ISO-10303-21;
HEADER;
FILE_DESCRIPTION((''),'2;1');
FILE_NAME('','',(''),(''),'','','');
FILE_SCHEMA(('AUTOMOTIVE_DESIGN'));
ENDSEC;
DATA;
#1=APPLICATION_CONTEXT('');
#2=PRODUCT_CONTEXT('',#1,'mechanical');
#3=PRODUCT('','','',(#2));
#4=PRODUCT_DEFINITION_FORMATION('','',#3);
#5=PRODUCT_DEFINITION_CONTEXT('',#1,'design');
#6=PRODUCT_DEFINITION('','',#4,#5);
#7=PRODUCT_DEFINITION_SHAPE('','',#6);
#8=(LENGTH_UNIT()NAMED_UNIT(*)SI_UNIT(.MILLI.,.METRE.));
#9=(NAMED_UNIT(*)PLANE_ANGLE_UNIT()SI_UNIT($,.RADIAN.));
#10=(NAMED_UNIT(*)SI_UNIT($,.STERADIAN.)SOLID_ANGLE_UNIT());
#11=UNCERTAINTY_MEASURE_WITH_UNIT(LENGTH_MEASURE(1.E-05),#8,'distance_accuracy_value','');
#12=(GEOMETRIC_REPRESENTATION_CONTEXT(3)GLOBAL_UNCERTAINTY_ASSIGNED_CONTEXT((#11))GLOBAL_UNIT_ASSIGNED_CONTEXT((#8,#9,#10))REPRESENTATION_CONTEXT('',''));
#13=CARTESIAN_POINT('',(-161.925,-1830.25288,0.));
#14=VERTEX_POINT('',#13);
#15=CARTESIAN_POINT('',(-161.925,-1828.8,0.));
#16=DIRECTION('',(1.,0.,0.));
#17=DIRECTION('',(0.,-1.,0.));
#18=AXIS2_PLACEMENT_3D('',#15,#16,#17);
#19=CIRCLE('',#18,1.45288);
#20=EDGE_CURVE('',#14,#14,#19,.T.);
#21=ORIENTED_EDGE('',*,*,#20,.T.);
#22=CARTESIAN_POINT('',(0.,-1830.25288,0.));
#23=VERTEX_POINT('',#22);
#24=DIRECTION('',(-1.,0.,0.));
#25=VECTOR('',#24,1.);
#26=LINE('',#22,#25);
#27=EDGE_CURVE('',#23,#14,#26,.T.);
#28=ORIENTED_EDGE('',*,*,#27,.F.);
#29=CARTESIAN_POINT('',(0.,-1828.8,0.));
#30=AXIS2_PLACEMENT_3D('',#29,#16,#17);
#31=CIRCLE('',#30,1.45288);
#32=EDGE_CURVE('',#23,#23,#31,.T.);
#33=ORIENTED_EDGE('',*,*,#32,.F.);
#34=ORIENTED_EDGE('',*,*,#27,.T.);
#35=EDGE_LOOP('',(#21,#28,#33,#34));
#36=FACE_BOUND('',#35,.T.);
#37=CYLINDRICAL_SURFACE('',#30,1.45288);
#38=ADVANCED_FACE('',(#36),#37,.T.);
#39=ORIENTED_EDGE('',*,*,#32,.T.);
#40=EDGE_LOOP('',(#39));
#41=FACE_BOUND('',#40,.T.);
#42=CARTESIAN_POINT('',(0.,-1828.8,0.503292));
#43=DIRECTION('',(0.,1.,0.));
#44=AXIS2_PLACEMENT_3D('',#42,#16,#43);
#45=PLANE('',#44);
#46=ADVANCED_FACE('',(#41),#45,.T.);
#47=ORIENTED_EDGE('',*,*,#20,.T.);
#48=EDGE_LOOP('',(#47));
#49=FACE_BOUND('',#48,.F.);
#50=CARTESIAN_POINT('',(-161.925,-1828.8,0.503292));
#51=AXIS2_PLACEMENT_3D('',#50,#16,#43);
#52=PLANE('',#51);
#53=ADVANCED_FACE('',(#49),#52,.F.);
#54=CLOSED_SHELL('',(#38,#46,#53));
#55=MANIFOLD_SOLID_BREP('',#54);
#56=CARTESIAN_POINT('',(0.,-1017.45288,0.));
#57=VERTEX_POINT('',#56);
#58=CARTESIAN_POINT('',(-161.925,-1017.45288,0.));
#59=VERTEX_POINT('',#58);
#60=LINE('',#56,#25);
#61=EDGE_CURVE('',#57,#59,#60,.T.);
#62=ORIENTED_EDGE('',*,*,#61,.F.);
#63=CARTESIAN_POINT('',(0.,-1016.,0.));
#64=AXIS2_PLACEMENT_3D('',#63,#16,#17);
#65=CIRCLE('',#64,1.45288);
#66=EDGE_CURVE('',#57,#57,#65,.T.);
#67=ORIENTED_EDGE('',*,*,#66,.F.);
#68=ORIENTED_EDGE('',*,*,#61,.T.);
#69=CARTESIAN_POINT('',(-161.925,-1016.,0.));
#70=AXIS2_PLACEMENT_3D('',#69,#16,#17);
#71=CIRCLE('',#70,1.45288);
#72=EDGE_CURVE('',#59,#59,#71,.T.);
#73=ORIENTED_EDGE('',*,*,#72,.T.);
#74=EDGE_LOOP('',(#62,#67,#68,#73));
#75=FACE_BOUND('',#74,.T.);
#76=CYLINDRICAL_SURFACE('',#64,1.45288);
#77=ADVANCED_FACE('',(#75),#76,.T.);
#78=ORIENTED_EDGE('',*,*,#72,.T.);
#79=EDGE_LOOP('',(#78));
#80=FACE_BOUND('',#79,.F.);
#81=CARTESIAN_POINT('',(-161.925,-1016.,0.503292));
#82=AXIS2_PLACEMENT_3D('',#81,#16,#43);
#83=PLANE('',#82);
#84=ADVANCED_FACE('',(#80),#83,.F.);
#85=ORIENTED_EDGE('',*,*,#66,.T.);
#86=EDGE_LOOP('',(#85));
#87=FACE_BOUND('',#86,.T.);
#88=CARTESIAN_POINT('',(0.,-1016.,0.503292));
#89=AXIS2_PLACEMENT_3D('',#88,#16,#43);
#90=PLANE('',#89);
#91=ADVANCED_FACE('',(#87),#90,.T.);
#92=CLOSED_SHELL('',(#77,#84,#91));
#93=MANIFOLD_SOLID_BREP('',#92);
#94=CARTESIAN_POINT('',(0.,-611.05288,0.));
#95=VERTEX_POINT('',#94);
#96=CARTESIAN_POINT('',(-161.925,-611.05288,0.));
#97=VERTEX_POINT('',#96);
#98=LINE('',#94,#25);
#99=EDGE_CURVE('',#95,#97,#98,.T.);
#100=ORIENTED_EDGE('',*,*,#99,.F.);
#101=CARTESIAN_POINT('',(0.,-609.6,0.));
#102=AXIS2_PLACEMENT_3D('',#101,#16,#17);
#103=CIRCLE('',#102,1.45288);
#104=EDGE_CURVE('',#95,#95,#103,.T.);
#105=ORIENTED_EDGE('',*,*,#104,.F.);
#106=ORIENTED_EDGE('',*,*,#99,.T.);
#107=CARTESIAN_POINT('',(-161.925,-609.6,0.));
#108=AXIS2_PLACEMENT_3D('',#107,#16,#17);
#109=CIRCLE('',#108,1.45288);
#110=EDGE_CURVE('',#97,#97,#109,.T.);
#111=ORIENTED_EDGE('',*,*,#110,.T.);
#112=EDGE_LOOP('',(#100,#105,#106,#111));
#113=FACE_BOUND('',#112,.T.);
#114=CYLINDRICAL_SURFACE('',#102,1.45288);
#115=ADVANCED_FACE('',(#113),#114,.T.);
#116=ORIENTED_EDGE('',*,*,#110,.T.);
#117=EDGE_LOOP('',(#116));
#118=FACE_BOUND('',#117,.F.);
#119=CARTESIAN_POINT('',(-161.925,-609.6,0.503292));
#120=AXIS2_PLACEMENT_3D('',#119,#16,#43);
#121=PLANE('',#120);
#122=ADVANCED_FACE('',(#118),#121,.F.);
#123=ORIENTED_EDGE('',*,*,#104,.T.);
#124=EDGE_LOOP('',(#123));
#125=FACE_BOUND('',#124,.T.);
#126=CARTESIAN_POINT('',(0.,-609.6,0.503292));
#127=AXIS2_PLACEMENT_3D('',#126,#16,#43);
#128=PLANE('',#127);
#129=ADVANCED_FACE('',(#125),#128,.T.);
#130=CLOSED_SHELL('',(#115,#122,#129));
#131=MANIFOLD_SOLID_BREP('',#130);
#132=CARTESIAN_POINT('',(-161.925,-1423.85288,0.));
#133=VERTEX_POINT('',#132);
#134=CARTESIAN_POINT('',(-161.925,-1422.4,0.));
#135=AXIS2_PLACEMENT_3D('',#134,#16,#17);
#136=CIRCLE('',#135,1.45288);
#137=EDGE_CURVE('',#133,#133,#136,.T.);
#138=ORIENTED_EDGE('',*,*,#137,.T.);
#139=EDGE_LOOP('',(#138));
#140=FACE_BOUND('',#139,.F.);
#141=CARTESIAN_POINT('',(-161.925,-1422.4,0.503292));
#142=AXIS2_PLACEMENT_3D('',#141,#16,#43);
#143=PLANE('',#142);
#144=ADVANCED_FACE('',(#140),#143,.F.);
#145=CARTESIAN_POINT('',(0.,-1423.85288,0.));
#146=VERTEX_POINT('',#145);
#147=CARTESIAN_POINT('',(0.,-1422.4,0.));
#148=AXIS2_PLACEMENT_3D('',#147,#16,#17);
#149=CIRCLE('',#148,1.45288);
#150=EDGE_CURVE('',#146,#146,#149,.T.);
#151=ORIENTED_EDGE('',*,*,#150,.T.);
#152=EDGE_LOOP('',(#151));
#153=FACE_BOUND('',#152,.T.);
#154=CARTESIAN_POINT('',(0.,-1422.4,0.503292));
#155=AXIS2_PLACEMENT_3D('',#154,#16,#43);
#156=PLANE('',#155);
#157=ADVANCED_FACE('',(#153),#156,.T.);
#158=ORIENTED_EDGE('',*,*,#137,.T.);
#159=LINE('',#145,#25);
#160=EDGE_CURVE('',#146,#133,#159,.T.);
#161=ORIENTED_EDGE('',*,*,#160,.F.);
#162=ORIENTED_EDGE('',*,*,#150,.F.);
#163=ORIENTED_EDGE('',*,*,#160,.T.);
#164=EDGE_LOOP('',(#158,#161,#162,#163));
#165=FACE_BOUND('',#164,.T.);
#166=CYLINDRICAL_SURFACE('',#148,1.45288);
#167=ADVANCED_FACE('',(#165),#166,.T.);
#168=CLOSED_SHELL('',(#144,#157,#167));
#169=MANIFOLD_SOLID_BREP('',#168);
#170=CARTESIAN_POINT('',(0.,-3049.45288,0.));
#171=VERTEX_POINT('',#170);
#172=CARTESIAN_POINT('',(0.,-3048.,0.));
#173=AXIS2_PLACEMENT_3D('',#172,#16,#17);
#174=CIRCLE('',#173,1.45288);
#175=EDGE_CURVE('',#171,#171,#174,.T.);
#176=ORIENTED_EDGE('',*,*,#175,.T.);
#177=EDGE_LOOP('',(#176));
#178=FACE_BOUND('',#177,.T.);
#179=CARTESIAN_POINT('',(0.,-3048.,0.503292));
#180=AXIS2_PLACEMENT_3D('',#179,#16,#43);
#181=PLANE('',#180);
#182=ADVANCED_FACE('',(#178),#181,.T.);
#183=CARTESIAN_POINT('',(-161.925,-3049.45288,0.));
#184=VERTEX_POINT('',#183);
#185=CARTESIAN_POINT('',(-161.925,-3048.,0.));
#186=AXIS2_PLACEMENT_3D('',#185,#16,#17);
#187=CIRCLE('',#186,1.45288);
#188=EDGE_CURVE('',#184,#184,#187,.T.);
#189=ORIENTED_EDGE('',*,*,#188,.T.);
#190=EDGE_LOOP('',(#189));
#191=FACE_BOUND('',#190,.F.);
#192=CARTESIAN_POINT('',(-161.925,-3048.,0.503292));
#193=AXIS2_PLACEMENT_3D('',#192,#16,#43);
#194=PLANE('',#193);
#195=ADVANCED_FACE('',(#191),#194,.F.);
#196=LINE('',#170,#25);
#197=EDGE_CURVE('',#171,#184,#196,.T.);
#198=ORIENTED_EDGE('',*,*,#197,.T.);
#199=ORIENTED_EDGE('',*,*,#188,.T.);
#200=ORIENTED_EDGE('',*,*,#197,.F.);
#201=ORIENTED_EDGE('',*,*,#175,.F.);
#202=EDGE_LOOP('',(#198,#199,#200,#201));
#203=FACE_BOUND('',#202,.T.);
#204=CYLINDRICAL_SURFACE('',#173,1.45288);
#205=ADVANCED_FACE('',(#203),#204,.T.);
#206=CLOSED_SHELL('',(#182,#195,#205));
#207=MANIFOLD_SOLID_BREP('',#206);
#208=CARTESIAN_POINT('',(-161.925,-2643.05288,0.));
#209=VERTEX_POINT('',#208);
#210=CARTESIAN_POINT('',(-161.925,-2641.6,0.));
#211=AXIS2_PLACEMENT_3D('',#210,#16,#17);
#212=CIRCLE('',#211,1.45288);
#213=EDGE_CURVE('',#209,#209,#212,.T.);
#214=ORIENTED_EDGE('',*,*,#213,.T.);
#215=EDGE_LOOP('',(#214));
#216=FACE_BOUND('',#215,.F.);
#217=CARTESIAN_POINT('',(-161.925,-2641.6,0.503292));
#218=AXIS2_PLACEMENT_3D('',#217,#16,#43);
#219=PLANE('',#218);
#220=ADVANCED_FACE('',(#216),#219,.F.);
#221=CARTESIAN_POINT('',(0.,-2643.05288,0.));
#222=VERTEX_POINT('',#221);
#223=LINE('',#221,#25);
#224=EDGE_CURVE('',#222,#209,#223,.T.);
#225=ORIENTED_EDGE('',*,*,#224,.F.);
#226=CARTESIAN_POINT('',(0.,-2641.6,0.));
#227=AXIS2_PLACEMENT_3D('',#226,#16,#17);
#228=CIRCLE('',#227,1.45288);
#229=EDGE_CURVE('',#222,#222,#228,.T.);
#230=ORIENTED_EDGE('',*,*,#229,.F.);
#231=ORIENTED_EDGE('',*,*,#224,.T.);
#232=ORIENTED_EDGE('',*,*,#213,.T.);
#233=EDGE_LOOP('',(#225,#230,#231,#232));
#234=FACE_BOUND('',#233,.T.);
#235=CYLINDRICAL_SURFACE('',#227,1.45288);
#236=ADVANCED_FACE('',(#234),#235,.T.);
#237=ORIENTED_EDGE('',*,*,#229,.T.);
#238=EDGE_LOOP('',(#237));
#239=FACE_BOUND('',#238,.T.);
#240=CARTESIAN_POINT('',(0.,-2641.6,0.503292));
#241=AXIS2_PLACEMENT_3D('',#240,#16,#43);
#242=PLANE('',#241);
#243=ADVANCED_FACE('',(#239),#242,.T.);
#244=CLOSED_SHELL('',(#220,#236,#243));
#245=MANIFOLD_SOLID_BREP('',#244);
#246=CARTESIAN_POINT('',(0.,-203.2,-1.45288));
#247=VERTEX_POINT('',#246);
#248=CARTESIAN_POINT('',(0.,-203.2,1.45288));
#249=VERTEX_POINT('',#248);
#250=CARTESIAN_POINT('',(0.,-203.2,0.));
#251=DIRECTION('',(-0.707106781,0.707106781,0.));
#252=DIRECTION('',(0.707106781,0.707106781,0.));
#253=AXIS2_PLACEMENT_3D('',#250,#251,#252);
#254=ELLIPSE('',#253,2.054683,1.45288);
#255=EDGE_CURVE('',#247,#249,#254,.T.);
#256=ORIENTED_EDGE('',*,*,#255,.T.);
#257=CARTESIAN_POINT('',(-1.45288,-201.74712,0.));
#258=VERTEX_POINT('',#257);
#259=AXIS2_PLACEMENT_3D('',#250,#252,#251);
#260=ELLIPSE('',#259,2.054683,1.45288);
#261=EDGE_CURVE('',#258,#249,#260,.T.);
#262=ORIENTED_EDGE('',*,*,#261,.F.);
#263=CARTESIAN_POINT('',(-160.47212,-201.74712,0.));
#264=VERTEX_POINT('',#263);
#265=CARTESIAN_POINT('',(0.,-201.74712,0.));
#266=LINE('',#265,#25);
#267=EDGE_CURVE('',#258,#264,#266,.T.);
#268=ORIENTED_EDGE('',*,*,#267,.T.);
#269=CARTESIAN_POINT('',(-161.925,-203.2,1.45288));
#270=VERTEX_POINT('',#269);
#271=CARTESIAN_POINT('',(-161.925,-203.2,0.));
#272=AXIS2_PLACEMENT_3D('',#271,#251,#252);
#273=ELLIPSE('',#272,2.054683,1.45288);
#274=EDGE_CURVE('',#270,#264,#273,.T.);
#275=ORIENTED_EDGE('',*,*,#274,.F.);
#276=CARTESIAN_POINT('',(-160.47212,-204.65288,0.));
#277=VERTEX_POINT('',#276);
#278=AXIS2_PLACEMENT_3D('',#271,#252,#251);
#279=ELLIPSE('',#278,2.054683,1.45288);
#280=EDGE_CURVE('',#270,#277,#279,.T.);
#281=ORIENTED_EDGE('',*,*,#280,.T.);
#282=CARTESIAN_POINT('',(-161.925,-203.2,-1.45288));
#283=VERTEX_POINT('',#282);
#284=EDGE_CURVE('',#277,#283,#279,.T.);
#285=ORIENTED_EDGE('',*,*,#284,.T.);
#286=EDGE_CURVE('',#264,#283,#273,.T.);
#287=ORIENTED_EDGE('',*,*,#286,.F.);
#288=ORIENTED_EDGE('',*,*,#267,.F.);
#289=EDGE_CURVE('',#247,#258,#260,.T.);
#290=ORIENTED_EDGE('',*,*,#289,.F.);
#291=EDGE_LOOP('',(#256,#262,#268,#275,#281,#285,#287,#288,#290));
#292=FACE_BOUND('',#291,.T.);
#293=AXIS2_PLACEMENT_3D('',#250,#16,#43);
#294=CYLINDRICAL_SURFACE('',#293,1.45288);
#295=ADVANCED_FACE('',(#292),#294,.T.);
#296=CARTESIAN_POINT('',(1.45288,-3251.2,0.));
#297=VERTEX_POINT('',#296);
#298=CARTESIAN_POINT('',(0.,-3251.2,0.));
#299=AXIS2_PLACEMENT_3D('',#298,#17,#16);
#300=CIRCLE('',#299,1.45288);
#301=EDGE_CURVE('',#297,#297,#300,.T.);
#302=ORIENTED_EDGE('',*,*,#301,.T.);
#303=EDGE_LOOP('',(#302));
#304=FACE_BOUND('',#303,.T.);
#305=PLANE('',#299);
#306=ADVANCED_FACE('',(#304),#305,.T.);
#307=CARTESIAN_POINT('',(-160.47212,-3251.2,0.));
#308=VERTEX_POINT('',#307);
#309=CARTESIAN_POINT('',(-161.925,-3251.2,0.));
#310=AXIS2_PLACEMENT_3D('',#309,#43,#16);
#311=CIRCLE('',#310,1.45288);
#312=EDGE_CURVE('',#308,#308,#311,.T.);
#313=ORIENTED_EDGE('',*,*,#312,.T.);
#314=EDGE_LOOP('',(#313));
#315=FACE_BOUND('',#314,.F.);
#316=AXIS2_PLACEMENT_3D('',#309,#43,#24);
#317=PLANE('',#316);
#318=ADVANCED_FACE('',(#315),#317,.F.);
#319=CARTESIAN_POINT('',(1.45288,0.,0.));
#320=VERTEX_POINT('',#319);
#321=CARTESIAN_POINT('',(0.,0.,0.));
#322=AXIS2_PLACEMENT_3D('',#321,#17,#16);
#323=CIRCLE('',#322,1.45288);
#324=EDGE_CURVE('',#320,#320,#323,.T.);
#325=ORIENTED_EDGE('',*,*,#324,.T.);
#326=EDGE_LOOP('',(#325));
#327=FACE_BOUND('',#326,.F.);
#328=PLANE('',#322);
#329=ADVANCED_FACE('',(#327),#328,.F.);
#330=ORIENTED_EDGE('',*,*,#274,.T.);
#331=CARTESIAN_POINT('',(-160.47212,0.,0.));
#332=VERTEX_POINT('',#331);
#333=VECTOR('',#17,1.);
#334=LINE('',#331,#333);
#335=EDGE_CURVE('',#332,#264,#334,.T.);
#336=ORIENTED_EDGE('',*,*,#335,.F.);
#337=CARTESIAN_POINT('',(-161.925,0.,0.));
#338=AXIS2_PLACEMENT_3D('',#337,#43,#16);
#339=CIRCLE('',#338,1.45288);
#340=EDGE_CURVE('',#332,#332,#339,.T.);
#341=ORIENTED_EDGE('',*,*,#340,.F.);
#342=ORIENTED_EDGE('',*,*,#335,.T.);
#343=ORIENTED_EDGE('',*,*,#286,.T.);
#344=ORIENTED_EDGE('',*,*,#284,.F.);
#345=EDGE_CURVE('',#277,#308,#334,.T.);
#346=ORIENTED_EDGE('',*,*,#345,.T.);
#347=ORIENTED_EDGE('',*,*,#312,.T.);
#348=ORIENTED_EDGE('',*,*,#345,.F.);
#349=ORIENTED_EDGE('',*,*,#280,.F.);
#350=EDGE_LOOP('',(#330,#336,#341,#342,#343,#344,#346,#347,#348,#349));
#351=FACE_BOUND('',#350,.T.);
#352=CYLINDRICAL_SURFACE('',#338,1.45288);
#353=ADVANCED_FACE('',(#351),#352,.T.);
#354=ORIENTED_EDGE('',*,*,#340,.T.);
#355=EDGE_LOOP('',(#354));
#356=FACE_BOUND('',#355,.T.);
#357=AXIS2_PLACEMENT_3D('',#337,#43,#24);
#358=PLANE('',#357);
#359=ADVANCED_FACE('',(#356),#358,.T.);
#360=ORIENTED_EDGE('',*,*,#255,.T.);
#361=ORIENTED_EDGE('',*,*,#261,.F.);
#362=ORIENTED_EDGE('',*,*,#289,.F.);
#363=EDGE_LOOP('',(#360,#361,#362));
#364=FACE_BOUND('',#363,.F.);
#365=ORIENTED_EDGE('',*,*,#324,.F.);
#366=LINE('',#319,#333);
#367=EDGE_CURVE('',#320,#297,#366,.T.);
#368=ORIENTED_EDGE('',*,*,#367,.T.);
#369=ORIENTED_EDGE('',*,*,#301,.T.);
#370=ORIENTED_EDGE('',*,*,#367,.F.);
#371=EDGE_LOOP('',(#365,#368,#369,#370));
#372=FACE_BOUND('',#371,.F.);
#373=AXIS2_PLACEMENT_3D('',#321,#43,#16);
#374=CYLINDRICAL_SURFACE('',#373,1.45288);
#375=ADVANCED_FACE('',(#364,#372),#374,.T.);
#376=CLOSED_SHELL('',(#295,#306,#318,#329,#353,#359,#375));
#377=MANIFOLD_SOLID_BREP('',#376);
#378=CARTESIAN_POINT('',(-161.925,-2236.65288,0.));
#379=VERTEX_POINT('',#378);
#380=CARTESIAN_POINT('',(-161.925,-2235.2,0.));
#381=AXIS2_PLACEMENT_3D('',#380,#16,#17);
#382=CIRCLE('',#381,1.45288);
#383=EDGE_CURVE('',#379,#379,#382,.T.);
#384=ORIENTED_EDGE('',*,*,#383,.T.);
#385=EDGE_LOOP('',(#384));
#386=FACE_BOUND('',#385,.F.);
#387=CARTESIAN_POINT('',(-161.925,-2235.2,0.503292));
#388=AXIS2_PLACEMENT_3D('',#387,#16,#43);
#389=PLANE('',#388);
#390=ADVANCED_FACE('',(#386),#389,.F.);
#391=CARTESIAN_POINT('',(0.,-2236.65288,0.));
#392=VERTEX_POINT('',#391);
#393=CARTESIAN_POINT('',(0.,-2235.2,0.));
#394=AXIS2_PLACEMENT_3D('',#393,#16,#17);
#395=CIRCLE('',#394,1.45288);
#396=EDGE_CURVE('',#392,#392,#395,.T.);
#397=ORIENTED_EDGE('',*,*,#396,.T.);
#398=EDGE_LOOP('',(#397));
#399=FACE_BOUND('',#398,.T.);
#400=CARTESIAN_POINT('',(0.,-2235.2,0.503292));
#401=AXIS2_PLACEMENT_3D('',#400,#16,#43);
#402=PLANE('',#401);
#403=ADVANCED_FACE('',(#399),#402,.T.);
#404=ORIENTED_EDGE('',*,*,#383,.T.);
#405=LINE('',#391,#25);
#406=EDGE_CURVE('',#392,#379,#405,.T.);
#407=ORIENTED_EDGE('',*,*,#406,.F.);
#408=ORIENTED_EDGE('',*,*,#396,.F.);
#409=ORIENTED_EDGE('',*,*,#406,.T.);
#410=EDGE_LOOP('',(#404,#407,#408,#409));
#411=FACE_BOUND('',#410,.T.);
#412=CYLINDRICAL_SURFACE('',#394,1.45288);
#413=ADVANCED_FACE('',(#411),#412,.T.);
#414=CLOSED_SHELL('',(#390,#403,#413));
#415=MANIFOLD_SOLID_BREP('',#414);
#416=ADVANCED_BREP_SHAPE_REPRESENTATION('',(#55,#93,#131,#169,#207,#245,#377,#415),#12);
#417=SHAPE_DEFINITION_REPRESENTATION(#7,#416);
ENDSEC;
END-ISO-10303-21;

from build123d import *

# Parameters (mm, degrees)
F0_R     = 1.45288
F1_DEPTH = 3251.2
F3_DEPTH = 3251.2
F4_R     = 1.45288
F5_DEPTH = 161.925
F7_DEPTH = 161.925


with BuildPart() as f1:
    # F0 (on Front) → F1 (new body)
    with BuildSketch(Plane.XZ):
        Circle(F0_R)
    extrude(amount=F1_DEPTH)



with BuildPart() as f3:
    # F2 (on face) → F3 (new body)
    with BuildSketch(Plane(origin=(0, 0, 0), x_dir=(-1, 0, 0), z_dir=(0, 1, 0))):
        with BuildLine():
            ThreePointArc((163.37788, 0), (161.925, 1.45288), (160.47212, 0))
            ThreePointArc((160.47212, 0), (161.925, -1.45288), (163.37788, 0))
        make_face()
    extrude(amount=-F3_DEPTH)


with BuildPart() as f1_1:
    add(f1.part)

    add(f3.part)  # F5 merges F3
    # F4 (on Right) → F5 (join)
    with BuildSketch(Plane.YZ):
        with Locations((-203.2, 0)):
            Circle(F4_R)
    extrude(amount=-F5_DEPTH)


with BuildPart() as f7:
    # F6 (on Right) → F7 (new body)
    with BuildSketch(Plane.YZ):
        with BuildLine():
            Line((-609.6, 0), (-608.14712, 0))
            ThreePointArc((-608.14712, 0), (-609.6, 1.45288), (-611.05288, 0))
            Line((-611.05288, 0), (-609.6, 0))
        make_face()
        with BuildLine():
            ThreePointArc((-611.05288, 0), (-609.6, -1.45288), (-608.14712, 0))
            Line((-608.14712, 0), (-609.6, 0))
            Line((-609.6, 0), (-611.05288, 0))
        make_face()
        with BuildLine():
            Line((-1016, 0), (-1014.54712, 0))
            ThreePointArc((-1014.54712, 0), (-1016, 1.45288), (-1017.45288, 0))
            Line((-1017.45288, 0), (-1016, 0))
        make_face()
        with BuildLine():
            ThreePointArc((-1017.45288, 0), (-1016, -1.45288), (-1014.54712, 0))
            Line((-1014.54712, 0), (-1016, 0))
            Line((-1016, 0), (-1017.45288, 0))
        make_face()
        with BuildLine():
            Line((-1422.4, 0), (-1420.94712, 0))
            ThreePointArc((-1420.94712, 0), (-1422.4, 1.45288), (-1423.85288, 0))
            Line((-1423.85288, 0), (-1422.4, 0))
        make_face()
        with BuildLine():
            ThreePointArc((-1423.85288, 0), (-1422.4, -1.45288), (-1420.94712, 0))
            Line((-1420.94712, 0), (-1422.4, 0))
            Line((-1422.4, 0), (-1423.85288, 0))
        make_face()
        with BuildLine():
            Line((-1828.8, 0), (-1827.34712, 0))
            ThreePointArc((-1827.34712, 0), (-1828.8, 1.45288), (-1830.25288, 0))
            Line((-1830.25288, 0), (-1828.8, 0))
        make_face()
        with BuildLine():
            ThreePointArc((-1830.25288, 0), (-1828.8, -1.45288), (-1827.34712, 0))
            Line((-1827.34712, 0), (-1828.8, 0))
            Line((-1828.8, 0), (-1830.25288, 0))
        make_face()
        with BuildLine():
            Line((-2235.2, 0), (-2233.74712, 0))
            ThreePointArc((-2233.74712, 0), (-2235.2, 1.45288), (-2236.65288, 0))
            Line((-2236.65288, 0), (-2235.2, 0))
        make_face()
        with BuildLine():
            ThreePointArc((-2236.65288, 0), (-2235.2, -1.45288), (-2233.74712, 0))
            Line((-2233.74712, 0), (-2235.2, 0))
            Line((-2235.2, 0), (-2236.65288, 0))
        make_face()
        with BuildLine():
            Line((-2641.6, 0), (-2640.14712, 0))
            ThreePointArc((-2640.14712, 0), (-2641.6, 1.45288), (-2643.05288, 0))
            Line((-2643.05288, 0), (-2641.6, 0))
        make_face()
        with BuildLine():
            ThreePointArc((-2643.05288, 0), (-2641.6, -1.45288), (-2640.14712, 0))
            Line((-2640.14712, 0), (-2641.6, 0))
            Line((-2641.6, 0), (-2643.05288, 0))
        make_face()
        with BuildLine():
            Line((-3048, 0), (-3046.54712, 0))
            ThreePointArc((-3046.54712, 0), (-3048, 1.45288), (-3049.45288, 0))
            Line((-3049.45288, 0), (-3048, 0))
        make_face()
        with BuildLine():
            ThreePointArc((-3049.45288, 0), (-3048, -1.45288), (-3046.54712, 0))
            Line((-3046.54712, 0), (-3048, 0))
            Line((-3048, 0), (-3049.45288, 0))
        make_face()
    extrude(amount=-F7_DEPTH)


solid = Compound([f1_1.part, f7.part])
